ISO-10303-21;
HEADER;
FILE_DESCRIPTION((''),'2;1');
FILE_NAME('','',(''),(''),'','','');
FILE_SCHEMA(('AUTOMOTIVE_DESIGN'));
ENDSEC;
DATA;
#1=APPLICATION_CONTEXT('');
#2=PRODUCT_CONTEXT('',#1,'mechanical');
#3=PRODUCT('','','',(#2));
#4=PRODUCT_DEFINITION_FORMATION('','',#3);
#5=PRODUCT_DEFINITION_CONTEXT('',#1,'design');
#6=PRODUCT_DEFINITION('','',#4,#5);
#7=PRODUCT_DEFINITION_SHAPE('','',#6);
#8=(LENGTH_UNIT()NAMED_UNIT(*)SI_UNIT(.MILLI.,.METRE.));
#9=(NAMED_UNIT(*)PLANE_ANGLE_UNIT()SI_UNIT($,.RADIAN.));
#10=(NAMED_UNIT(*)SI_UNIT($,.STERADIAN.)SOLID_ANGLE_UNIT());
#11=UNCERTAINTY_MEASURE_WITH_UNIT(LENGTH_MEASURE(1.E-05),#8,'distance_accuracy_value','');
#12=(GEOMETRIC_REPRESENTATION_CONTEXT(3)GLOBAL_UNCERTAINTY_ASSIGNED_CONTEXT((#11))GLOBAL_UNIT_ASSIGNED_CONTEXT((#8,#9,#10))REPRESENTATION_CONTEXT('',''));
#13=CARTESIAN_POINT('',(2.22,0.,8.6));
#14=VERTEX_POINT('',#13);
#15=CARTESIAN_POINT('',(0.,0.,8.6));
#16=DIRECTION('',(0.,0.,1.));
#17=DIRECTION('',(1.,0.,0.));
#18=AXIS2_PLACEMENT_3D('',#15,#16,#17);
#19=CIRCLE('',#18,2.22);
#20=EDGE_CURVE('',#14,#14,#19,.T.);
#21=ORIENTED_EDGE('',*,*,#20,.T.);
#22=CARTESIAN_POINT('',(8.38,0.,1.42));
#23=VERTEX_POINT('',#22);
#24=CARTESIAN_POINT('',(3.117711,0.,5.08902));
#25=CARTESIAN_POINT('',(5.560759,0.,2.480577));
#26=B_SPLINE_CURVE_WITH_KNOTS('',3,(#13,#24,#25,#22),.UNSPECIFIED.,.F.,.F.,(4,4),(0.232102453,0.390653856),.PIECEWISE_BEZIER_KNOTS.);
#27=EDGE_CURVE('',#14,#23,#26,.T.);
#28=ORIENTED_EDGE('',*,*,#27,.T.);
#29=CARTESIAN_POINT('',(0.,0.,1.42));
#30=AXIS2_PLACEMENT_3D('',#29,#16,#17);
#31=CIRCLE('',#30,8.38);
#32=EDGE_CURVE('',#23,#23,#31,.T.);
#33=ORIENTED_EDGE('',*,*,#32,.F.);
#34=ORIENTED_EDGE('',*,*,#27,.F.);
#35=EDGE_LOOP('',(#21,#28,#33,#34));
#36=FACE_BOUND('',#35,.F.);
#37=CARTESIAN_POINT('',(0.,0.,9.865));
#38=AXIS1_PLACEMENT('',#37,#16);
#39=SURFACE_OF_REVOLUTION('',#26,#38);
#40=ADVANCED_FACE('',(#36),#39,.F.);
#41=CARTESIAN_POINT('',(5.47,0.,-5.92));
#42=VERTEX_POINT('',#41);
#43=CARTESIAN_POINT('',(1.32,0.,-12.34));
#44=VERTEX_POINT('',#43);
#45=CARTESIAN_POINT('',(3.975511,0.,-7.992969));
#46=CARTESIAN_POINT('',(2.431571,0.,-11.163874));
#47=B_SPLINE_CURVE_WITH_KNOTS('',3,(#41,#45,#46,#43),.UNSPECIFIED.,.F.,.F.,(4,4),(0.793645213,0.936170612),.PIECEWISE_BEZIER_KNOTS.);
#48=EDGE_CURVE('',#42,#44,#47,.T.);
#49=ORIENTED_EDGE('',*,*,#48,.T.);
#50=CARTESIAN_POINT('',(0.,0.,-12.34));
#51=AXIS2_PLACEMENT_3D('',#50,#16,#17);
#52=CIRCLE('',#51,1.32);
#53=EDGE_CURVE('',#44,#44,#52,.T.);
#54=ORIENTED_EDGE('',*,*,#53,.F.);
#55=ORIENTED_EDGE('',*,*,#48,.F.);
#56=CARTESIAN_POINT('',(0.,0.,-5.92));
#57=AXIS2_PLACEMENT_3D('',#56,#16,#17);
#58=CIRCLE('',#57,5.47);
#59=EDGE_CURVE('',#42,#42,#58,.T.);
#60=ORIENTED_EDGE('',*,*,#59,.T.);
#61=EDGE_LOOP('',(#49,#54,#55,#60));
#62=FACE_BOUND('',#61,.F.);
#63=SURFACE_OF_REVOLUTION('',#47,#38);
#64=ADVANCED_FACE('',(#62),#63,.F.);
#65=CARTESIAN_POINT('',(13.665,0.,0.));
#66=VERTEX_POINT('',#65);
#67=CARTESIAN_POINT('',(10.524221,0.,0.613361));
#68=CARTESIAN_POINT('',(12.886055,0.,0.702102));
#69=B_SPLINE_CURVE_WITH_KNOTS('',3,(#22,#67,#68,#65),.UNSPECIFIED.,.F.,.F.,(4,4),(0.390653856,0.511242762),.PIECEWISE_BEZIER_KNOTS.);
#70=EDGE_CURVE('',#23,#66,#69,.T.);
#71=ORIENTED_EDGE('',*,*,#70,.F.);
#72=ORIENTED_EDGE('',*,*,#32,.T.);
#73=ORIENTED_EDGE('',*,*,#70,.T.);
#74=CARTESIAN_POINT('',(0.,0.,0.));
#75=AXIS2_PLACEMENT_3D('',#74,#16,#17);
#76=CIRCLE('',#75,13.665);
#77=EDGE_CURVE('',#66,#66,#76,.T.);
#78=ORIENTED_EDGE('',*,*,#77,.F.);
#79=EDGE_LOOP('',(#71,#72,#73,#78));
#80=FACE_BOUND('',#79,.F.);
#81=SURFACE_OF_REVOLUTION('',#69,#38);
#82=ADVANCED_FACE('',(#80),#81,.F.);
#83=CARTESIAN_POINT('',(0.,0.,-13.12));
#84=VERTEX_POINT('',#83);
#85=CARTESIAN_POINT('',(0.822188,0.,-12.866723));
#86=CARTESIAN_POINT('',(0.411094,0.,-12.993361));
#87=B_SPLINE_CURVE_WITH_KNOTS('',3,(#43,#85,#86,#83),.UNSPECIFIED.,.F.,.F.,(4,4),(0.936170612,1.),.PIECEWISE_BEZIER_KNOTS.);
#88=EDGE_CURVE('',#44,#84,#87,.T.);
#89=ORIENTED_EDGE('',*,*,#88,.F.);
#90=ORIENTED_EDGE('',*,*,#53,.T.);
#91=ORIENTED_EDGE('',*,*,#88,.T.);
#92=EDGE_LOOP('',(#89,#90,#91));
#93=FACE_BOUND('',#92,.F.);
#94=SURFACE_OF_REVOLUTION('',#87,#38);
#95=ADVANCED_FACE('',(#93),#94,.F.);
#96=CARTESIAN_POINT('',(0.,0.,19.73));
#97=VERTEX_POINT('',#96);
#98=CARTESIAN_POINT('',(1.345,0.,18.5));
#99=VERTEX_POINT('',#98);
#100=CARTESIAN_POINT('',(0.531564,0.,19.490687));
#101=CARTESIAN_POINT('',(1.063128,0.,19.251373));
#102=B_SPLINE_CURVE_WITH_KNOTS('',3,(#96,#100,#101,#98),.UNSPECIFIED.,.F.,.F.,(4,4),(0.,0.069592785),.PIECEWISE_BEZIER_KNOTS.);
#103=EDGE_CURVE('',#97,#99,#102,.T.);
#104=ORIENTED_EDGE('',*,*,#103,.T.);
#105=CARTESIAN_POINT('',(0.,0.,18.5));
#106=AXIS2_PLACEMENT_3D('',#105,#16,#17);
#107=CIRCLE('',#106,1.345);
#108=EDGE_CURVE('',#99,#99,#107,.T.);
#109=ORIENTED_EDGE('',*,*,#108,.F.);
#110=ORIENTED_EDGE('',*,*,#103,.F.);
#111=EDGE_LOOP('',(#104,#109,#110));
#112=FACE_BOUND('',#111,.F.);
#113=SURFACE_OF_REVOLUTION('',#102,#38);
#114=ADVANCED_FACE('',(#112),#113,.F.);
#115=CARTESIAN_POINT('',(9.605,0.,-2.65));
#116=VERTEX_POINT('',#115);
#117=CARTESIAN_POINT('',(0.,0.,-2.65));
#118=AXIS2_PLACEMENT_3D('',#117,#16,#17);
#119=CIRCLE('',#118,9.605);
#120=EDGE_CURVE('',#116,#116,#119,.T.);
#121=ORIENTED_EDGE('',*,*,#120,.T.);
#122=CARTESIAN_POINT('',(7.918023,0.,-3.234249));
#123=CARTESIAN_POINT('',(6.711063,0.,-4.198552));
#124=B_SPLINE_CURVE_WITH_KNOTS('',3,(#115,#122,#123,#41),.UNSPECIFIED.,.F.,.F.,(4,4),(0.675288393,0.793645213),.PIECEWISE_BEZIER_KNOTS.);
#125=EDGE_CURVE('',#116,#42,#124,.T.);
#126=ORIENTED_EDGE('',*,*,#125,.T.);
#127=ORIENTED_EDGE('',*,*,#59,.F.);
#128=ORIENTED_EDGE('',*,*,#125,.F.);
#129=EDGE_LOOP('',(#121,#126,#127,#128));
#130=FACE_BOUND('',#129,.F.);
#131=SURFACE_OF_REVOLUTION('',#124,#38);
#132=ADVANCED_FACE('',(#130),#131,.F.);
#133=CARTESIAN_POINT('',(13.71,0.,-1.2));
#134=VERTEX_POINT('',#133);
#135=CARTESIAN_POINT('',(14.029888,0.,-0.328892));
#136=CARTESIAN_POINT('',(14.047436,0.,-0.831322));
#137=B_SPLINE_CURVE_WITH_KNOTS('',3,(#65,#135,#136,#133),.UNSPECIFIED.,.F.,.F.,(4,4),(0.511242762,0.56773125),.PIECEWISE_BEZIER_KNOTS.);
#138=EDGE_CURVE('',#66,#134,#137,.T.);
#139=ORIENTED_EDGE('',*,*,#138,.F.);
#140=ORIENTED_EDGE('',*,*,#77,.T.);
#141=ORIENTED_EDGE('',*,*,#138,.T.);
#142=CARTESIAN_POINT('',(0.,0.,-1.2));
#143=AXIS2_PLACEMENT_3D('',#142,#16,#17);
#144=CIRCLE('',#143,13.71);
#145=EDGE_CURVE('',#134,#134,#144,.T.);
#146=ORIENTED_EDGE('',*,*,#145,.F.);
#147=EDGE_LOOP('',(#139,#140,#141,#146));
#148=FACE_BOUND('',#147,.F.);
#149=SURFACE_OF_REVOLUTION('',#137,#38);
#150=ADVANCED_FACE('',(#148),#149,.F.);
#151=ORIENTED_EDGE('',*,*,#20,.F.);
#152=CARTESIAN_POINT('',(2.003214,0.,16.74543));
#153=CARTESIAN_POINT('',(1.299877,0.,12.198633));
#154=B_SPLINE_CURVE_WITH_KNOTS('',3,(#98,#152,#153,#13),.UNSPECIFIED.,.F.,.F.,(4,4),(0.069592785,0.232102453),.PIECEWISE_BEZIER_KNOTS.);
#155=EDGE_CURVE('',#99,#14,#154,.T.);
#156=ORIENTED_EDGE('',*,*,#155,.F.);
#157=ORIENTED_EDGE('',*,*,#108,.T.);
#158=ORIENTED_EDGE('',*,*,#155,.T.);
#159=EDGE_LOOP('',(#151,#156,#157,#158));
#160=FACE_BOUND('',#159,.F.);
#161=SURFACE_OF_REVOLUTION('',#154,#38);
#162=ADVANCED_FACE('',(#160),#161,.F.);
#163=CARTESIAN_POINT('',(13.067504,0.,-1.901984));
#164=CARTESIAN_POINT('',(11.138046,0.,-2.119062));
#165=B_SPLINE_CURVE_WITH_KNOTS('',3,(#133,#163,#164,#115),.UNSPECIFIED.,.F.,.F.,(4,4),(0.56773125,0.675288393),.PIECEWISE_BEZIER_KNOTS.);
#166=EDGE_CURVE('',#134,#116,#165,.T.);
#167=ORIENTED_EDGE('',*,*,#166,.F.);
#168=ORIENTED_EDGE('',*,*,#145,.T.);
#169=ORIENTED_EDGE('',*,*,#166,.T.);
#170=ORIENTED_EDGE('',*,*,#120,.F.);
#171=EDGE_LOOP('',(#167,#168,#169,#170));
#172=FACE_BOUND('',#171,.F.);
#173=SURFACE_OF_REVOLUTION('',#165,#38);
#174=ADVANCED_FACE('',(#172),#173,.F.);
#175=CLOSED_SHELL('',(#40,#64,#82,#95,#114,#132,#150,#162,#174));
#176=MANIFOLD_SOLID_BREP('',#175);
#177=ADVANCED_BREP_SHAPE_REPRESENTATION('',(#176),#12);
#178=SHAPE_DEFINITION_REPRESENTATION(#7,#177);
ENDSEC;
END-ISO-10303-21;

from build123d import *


with BuildPart() as f1:
    # F0 (on Front) → F1 (revolve)
    with BuildSketch(Plane.XZ):
        with BuildLine():
            Line((13.665, 0), (0, 0))
            Line((0, 0), (0, -1.2))
            Line((0, -1.2), (13.71, -1.2))
            add(Edge.make_bspline(
                [(13.665, 0), (14.0298880486, -0.328891577), (14.0474355227, -0.831321565), (13.71, -1.2)],
                knots=[0.5112427618, 0.5112427618, 0.5112427618, 0.5112427618, 0.5677312504, 0.5677312504, 0.5677312504, 0.5677312504], degree=3))
        make_face()
        with BuildLine():
            Line((0, 1.42), (0, 0))
            Line((0, 0), (13.665, 0))
            add(Edge.make_bspline(
                [(8.38, 1.42), (10.5242206514, 0.6133605516), (12.8860545622, 0.7021019033), (13.665, 0)],
                knots=[0.3906538561, 0.3906538561, 0.3906538561, 0.3906538561, 0.5112427618, 0.5112427618, 0.5112427618, 0.5112427618], degree=3))
            Line((8.38, 1.42), (0, 1.42))
        make_face()
        with BuildLine():
            Line((0, 8.6), (0, 1.42))
            Line((0, 1.42), (8.38, 1.42))
            add(Edge.make_bspline(
                [(2.22, 8.6), (3.1177109994, 5.0890195473), (5.5607589495, 2.480576972), (8.38, 1.42)],
                knots=[0.2321024529, 0.2321024529, 0.2321024529, 0.2321024529, 0.3906538561, 0.3906538561, 0.3906538561, 0.3906538561], degree=3))
            Line((2.22, 8.6), (0, 8.6))
        make_face()
        with BuildLine():
            Line((13.71, -1.2), (0, -1.2))
            Line((0, -1.2), (0, -2.65))
            Line((0, -2.65), (9.605, -2.65))
            add(Edge.make_bspline(
                [(13.71, -1.2), (13.0675044846, -1.901983713), (11.1380456973, -2.1190615636), (9.605, -2.65)],
                knots=[0.5677312504, 0.5677312504, 0.5677312504, 0.5677312504, 0.6752883929, 0.6752883929, 0.6752883929, 0.6752883929], degree=3))
        make_face()
        with BuildLine():
            Line((0, 18.5), (0, 8.6))
            Line((0, 8.6), (2.22, 8.6))
            add(Edge.make_bspline(
                [(1.345, 18.5), (2.0032143028, 16.7454299033), (1.2998774793, 12.1986327297), (2.22, 8.6)],
                knots=[0.0695927845, 0.0695927845, 0.0695927845, 0.0695927845, 0.2321024529, 0.2321024529, 0.2321024529, 0.2321024529], degree=3))
            Line((1.345, 18.5), (0, 18.5))
        make_face()
        with BuildLine():
            Line((9.605, -2.65), (0, -2.65))
            Line((0, -2.65), (0, -5.92))
            Line((0, -5.92), (5.47, -5.92))
            add(Edge.make_bspline(
                [(9.605, -2.65), (7.9180231055, -3.2342492994), (6.7110625877, -4.198552197), (5.47, -5.92)],
                knots=[0.6752883929, 0.6752883929, 0.6752883929, 0.6752883929, 0.7936452133, 0.7936452133, 0.7936452133, 0.7936452133], degree=3))
        make_face()
        with BuildLine():
            Line((0, 19.73), (0, 18.5))
            Line((0, 18.5), (1.345, 18.5))
            add(Edge.make_bspline(
                [(0, 19.73), (0.5315638743, 19.4906866276), (1.0631277486, 19.2513732553), (1.345, 18.5)],
                knots=[0, 0, 0, 0, 0.0695927845, 0.0695927845, 0.0695927845, 0.0695927845], degree=3))
        make_face()
        with BuildLine():
            Line((5.47, -5.92), (0, -5.92))
            Line((0, -5.92), (0, -12.34))
            Line((0, -12.34), (1.32, -12.34))
            add(Edge.make_bspline(
                [(5.47, -5.92), (3.9755112158, -7.992969131), (2.4315710199, -11.1638740892), (1.32, -12.34)],
                knots=[0.7936452133, 0.7936452133, 0.7936452133, 0.7936452133, 0.9361706123, 0.9361706123, 0.9361706123, 0.9361706123], degree=3))
        make_face()
        with BuildLine():
            Line((1.32, -12.34), (0, -12.34))
            Line((0, -12.34), (0, -13.12))
            add(Edge.make_bspline(
                [(1.32, -12.34), (0.8221876943, -12.8667229363), (0.4110938471, -12.9933614681), (0, -13.12)],
                knots=[0.9361706123, 0.9361706123, 0.9361706123, 0.9361706123, 1, 1, 1, 1], degree=3))
        make_face()
    revolve(axis=Axis((0, 0, 9.865), (0, 0, 1)))


solid = f1.part
